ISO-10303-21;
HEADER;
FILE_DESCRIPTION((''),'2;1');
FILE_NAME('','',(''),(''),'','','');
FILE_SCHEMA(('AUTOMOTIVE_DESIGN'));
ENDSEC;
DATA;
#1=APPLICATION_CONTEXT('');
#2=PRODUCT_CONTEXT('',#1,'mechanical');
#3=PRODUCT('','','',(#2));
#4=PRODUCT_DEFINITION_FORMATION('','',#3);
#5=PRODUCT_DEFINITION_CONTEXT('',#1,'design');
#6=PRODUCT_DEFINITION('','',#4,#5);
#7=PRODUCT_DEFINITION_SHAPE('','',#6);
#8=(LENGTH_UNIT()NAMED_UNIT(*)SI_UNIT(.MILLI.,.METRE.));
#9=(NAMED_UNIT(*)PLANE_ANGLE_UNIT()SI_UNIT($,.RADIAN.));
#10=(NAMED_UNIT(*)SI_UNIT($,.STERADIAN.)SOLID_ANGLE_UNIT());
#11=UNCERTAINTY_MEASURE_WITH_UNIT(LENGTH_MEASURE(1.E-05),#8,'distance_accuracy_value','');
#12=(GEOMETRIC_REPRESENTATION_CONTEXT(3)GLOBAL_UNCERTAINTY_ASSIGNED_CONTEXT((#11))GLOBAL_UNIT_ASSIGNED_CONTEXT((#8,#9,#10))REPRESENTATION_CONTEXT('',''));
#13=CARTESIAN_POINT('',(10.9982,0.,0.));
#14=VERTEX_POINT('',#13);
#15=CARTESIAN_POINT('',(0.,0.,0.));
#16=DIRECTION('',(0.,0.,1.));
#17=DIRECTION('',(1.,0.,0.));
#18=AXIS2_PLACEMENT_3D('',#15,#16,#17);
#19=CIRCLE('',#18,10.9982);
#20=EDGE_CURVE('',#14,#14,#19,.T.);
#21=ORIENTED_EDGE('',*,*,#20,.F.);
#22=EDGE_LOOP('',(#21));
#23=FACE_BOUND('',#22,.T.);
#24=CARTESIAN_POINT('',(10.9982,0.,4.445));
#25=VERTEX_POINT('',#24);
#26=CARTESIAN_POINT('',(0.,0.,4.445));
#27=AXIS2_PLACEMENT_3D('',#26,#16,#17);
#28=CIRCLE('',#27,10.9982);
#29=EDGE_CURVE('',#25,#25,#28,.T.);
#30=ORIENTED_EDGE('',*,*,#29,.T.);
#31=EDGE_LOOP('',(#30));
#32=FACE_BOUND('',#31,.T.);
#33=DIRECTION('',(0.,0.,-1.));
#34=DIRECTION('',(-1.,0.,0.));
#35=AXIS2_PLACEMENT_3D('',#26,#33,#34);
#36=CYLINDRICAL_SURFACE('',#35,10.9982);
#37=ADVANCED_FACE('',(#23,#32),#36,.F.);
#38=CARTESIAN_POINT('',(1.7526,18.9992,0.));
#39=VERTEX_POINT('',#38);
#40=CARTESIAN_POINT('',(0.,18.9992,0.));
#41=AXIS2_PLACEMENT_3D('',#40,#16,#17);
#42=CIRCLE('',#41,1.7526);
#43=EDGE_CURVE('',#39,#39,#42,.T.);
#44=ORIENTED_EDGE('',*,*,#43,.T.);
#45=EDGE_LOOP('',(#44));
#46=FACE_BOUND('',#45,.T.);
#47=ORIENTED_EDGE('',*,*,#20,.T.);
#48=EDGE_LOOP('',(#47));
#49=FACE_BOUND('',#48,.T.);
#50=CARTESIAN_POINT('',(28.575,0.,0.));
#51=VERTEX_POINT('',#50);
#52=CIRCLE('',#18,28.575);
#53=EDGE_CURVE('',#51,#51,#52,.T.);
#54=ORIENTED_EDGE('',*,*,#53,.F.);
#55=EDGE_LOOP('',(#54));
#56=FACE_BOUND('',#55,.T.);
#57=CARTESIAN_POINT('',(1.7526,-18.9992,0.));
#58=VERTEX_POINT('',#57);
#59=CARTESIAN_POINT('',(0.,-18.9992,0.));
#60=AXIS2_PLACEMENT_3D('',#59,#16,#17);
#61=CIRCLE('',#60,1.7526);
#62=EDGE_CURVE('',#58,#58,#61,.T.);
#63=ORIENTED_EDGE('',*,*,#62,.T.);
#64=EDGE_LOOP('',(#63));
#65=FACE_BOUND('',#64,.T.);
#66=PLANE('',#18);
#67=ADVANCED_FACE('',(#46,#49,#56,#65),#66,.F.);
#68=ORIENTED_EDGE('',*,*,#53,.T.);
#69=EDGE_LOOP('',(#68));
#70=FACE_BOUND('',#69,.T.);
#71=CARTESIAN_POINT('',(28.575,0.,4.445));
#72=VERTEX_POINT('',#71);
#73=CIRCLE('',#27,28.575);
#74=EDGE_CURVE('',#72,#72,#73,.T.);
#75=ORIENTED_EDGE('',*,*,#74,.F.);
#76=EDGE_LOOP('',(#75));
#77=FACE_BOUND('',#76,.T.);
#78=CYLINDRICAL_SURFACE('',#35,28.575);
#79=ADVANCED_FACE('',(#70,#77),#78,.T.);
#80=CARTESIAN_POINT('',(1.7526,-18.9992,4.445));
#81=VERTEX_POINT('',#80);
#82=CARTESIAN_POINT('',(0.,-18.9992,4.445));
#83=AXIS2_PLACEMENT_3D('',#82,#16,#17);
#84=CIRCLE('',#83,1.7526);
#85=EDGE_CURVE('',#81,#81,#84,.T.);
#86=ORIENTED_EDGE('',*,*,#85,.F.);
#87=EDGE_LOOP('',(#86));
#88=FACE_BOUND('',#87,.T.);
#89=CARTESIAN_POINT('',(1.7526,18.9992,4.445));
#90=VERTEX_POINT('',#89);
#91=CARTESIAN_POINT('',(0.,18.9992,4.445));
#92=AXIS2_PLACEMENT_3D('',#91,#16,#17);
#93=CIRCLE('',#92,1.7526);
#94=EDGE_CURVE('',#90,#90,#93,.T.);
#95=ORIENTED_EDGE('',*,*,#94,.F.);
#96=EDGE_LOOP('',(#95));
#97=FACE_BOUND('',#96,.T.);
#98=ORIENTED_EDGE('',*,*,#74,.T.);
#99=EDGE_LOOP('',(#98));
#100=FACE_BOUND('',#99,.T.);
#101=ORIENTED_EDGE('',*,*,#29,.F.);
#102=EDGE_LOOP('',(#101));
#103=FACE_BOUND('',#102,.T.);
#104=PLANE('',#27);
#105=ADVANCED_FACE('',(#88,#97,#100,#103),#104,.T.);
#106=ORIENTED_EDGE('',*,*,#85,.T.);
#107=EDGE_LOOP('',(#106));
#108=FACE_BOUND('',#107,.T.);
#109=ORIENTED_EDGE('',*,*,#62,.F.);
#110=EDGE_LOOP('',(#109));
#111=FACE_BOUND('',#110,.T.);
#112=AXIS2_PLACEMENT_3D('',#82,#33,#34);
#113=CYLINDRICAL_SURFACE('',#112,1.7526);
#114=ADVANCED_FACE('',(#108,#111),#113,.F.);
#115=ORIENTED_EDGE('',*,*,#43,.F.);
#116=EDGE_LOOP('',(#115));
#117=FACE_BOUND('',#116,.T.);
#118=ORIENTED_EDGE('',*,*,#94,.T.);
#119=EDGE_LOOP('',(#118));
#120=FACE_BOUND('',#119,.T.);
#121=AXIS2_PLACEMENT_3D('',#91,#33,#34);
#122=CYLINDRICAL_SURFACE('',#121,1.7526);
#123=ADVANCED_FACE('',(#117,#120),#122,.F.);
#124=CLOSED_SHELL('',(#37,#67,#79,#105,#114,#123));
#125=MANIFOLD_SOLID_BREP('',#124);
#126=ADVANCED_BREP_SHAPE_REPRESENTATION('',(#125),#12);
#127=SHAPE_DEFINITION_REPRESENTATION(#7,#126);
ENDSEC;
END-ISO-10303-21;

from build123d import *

# Parameters (mm, degrees)
SKETCH1_R           = 28.575
SKETCH1_R_2         = 10.9982
SKETCH1_R_3         = 1.7526
BOSS_EXTRUDE1_DEPTH = 4.445


with BuildPart() as part:
    # Sketch1 → Boss-Extrude1 (new body)
    with BuildSketch(Plane.XY):
        Circle(SKETCH1_R)
        Circle(SKETCH1_R_2, mode=Mode.SUBTRACT)
        with Locations((0, 18.9992)):
            Circle(SKETCH1_R_3, mode=Mode.SUBTRACT)
        with Locations((0, -18.9992)):
            Circle(SKETCH1_R_3, mode=Mode.SUBTRACT)
    extrude(amount=BOSS_EXTRUDE1_DEPTH)


solid = part.part
